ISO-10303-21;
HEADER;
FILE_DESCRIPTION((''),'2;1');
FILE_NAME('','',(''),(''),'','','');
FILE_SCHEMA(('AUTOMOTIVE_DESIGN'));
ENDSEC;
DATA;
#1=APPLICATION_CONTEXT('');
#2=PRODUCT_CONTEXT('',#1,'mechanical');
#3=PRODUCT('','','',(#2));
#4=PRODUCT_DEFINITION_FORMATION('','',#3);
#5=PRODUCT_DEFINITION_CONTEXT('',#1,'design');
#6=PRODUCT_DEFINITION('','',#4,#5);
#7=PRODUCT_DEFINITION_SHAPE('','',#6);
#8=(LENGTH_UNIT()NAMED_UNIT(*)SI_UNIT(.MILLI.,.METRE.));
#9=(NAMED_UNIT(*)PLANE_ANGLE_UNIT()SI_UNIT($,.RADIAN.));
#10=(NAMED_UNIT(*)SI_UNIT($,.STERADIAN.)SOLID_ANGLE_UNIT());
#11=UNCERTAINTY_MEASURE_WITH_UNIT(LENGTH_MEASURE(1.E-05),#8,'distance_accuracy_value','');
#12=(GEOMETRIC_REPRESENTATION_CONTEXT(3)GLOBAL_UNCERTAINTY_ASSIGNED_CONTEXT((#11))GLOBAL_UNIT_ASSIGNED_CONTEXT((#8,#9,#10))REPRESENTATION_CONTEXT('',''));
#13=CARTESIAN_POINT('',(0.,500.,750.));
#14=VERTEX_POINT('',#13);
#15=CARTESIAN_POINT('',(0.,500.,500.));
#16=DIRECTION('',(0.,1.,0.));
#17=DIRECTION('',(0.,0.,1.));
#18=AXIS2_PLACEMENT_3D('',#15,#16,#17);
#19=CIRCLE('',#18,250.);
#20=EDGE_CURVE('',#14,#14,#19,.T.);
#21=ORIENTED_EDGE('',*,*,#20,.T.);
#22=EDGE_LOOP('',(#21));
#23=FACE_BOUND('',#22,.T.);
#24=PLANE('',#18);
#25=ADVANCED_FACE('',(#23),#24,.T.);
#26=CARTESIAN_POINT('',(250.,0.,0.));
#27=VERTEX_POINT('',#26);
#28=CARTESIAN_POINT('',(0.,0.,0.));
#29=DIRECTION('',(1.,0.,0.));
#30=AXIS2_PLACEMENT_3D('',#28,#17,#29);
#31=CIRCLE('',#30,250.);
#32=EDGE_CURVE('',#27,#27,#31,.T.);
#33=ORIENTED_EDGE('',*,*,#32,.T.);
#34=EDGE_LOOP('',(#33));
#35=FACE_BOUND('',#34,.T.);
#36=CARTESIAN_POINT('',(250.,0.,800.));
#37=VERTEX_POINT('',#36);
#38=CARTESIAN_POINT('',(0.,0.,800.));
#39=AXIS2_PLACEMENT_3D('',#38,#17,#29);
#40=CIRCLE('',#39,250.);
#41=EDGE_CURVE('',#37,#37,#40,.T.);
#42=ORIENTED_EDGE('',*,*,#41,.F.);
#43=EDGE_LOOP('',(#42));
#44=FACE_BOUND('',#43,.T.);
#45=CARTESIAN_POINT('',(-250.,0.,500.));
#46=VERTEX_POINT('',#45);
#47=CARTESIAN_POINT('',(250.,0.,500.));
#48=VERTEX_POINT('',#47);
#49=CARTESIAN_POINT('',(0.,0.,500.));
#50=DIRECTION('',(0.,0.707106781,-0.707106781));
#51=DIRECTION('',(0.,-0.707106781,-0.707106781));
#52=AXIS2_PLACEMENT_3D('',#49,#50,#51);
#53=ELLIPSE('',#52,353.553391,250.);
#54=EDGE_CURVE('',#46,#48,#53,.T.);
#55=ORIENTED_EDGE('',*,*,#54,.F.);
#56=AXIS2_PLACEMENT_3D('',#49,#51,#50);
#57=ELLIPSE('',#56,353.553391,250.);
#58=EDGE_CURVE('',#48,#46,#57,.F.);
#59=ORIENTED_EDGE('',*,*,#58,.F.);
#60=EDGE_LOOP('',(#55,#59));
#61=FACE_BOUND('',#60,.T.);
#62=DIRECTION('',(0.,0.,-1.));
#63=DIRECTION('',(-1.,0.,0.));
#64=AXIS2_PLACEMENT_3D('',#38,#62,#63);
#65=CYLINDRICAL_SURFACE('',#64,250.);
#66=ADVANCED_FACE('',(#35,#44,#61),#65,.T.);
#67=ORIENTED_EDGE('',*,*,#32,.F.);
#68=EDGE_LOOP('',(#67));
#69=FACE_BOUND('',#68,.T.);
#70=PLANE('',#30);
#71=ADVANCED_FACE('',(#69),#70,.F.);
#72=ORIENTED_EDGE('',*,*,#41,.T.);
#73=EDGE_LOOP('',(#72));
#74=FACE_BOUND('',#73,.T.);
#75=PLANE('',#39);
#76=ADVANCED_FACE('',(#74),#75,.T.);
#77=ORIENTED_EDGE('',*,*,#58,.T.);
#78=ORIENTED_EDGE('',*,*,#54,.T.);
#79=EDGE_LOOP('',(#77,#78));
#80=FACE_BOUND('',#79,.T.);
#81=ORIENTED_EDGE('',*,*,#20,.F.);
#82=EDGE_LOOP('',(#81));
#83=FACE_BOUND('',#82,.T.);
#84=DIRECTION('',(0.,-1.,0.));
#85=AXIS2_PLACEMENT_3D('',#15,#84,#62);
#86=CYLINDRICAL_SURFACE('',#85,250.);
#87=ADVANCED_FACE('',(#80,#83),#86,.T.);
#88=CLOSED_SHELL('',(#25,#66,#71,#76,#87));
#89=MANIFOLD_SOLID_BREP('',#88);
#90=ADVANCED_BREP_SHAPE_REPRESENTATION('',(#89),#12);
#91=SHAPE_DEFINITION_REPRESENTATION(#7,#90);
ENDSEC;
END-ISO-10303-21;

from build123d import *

# Parameters (mm, degrees)
SKETCH_1_R      = 250
EXTRUDE_1_DEPTH = 800
SKETCH_2_R      = 250
EXTRUDE_2_DEPTH = 500


with BuildPart() as part:
    # 草图1 → 凸台-拉伸1 (new body)
    with BuildSketch(Plane.XY):
        Circle(SKETCH_1_R)
    extrude(amount=EXTRUDE_1_DEPTH)

    # 草图2 → 凸台-拉伸2 (add)
    with BuildSketch(Plane(origin=(0, 0, 0), x_dir=(1, 0, 0), z_dir=(0, 1, 0))):
        with Locations((0, -500)):
            Circle(SKETCH_2_R)
    extrude(amount=EXTRUDE_2_DEPTH)


solid = part.part
